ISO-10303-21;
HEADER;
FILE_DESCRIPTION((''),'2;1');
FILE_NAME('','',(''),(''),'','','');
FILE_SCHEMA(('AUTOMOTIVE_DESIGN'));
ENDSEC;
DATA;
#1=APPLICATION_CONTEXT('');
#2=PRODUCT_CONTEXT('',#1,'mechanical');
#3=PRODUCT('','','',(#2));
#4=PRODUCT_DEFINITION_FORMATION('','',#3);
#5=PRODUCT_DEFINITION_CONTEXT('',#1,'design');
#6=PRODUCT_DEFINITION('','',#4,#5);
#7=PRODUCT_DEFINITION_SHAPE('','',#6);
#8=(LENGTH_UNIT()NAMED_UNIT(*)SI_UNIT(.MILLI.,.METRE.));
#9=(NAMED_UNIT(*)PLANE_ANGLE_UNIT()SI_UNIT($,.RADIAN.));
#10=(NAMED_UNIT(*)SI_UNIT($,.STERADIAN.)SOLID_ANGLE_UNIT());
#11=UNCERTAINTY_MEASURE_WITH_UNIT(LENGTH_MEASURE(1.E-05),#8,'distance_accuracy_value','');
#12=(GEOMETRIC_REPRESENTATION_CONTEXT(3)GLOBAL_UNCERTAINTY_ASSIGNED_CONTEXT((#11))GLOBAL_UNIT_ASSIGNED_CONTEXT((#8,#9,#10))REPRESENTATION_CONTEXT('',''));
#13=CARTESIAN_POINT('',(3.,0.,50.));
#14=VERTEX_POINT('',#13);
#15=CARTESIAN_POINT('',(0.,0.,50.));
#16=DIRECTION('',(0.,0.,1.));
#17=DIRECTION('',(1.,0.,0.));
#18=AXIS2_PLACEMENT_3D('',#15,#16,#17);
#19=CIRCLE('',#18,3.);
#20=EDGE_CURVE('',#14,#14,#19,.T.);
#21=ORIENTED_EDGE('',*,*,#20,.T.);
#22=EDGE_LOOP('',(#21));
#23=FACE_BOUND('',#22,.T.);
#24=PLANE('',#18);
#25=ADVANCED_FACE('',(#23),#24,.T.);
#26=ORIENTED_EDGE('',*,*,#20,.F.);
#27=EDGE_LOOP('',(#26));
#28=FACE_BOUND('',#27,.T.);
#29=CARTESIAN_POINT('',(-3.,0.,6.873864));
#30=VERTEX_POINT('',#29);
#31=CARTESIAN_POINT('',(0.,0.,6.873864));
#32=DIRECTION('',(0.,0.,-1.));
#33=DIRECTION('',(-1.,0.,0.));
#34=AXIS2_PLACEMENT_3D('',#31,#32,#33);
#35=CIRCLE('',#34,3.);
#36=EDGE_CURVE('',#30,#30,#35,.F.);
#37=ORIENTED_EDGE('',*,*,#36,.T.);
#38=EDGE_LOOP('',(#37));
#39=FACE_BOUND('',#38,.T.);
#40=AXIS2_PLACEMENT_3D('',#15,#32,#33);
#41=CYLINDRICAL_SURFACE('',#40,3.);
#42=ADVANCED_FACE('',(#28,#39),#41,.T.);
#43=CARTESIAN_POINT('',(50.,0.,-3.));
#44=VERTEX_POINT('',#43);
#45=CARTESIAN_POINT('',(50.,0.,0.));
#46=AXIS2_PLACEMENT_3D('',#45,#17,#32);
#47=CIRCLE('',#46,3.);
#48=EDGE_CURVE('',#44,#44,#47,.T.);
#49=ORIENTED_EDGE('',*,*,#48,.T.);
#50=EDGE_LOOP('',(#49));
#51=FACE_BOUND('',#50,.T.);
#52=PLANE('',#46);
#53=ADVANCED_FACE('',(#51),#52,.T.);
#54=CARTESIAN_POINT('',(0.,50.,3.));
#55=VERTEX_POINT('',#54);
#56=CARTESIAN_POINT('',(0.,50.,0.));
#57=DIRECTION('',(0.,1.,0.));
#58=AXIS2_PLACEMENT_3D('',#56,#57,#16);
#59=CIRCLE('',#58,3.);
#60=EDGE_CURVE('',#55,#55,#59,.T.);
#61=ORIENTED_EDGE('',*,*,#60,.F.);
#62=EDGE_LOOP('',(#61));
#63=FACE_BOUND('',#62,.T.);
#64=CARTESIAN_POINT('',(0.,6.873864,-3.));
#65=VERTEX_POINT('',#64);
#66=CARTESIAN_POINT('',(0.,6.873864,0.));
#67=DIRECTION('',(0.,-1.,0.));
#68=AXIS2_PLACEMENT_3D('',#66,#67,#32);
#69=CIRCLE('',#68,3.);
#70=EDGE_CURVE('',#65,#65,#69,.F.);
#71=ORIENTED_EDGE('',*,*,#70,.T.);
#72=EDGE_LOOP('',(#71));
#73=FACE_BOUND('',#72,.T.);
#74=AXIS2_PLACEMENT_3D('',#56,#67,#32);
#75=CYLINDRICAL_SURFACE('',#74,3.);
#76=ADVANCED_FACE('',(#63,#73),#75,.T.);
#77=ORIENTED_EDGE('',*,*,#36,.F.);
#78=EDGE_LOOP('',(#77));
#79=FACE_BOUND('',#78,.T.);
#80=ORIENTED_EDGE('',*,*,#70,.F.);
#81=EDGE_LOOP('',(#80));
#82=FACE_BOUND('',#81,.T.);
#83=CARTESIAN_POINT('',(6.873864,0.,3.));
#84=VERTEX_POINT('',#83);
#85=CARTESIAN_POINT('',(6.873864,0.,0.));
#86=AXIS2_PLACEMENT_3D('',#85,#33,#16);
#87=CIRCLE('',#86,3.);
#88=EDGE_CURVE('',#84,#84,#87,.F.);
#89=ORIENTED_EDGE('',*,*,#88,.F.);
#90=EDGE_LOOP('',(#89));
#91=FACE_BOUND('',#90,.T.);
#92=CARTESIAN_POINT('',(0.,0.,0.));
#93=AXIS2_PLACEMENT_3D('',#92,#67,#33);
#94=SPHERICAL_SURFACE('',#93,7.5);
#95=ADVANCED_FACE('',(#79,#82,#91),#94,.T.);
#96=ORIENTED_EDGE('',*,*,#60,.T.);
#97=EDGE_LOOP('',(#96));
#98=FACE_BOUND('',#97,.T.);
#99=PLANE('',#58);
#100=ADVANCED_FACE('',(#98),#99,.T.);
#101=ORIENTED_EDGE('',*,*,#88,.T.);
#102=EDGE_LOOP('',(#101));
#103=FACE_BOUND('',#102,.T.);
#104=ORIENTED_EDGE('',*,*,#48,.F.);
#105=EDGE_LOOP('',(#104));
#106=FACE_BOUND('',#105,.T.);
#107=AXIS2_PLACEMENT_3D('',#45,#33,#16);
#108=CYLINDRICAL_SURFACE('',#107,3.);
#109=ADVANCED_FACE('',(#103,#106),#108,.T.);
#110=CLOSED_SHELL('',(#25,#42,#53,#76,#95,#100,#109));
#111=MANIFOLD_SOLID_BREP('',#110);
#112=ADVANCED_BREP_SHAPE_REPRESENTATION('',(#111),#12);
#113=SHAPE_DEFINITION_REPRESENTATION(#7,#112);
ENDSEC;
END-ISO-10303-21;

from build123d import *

# Parameters (mm, degrees)
SKETCH_5_R      = 3
EXTRUDE_1_DEPTH = 50
SKETCH_6_R      = 3
EXTRUDE_2_DEPTH = 50
SKETCH_7_R      = 3
EXTRUDE_3_DEPTH = 50


with BuildPart() as part:
    # 草图4 → 旋转10 (revolve)
    with BuildSketch(Plane.XY):
        with BuildLine():
            Line((0, -7.5), (0, 7.5))
            ThreePointArc((0, 7.5), (-7.5, 0), (0, -7.5))
        make_face()
    revolve(axis=Axis((0, -7.5, 0), (0, 1, 0)))

    # 草图5 → 凸台-拉伸1 (add)
    with BuildSketch(Plane(origin=(0, 0, 0), x_dir=(1, 0, 0), z_dir=(0, 1, 0))):
        with Locations(Location((0, 0, 0), (0, 0, 90))):
            Circle(SKETCH_5_R)
    extrude(amount=EXTRUDE_1_DEPTH)

    # 草图6 → 凸台-拉伸2 (add)
    with BuildSketch(Plane.XY):
        with Locations(Location((0, 0, 0), (0, 0, 180))):
            Circle(SKETCH_6_R)
    extrude(amount=EXTRUDE_2_DEPTH)

    # 草图7 → 凸台-拉伸3 (add)
    with BuildSketch(Plane(origin=(0, 0, 0), x_dir=(0, 0, -1), z_dir=(1, 0, 0))):
        with Locations(Location((0, 0, 0), (0, 0, 180))):
            Circle(SKETCH_7_R)
    extrude(amount=EXTRUDE_3_DEPTH)


solid = part.part
